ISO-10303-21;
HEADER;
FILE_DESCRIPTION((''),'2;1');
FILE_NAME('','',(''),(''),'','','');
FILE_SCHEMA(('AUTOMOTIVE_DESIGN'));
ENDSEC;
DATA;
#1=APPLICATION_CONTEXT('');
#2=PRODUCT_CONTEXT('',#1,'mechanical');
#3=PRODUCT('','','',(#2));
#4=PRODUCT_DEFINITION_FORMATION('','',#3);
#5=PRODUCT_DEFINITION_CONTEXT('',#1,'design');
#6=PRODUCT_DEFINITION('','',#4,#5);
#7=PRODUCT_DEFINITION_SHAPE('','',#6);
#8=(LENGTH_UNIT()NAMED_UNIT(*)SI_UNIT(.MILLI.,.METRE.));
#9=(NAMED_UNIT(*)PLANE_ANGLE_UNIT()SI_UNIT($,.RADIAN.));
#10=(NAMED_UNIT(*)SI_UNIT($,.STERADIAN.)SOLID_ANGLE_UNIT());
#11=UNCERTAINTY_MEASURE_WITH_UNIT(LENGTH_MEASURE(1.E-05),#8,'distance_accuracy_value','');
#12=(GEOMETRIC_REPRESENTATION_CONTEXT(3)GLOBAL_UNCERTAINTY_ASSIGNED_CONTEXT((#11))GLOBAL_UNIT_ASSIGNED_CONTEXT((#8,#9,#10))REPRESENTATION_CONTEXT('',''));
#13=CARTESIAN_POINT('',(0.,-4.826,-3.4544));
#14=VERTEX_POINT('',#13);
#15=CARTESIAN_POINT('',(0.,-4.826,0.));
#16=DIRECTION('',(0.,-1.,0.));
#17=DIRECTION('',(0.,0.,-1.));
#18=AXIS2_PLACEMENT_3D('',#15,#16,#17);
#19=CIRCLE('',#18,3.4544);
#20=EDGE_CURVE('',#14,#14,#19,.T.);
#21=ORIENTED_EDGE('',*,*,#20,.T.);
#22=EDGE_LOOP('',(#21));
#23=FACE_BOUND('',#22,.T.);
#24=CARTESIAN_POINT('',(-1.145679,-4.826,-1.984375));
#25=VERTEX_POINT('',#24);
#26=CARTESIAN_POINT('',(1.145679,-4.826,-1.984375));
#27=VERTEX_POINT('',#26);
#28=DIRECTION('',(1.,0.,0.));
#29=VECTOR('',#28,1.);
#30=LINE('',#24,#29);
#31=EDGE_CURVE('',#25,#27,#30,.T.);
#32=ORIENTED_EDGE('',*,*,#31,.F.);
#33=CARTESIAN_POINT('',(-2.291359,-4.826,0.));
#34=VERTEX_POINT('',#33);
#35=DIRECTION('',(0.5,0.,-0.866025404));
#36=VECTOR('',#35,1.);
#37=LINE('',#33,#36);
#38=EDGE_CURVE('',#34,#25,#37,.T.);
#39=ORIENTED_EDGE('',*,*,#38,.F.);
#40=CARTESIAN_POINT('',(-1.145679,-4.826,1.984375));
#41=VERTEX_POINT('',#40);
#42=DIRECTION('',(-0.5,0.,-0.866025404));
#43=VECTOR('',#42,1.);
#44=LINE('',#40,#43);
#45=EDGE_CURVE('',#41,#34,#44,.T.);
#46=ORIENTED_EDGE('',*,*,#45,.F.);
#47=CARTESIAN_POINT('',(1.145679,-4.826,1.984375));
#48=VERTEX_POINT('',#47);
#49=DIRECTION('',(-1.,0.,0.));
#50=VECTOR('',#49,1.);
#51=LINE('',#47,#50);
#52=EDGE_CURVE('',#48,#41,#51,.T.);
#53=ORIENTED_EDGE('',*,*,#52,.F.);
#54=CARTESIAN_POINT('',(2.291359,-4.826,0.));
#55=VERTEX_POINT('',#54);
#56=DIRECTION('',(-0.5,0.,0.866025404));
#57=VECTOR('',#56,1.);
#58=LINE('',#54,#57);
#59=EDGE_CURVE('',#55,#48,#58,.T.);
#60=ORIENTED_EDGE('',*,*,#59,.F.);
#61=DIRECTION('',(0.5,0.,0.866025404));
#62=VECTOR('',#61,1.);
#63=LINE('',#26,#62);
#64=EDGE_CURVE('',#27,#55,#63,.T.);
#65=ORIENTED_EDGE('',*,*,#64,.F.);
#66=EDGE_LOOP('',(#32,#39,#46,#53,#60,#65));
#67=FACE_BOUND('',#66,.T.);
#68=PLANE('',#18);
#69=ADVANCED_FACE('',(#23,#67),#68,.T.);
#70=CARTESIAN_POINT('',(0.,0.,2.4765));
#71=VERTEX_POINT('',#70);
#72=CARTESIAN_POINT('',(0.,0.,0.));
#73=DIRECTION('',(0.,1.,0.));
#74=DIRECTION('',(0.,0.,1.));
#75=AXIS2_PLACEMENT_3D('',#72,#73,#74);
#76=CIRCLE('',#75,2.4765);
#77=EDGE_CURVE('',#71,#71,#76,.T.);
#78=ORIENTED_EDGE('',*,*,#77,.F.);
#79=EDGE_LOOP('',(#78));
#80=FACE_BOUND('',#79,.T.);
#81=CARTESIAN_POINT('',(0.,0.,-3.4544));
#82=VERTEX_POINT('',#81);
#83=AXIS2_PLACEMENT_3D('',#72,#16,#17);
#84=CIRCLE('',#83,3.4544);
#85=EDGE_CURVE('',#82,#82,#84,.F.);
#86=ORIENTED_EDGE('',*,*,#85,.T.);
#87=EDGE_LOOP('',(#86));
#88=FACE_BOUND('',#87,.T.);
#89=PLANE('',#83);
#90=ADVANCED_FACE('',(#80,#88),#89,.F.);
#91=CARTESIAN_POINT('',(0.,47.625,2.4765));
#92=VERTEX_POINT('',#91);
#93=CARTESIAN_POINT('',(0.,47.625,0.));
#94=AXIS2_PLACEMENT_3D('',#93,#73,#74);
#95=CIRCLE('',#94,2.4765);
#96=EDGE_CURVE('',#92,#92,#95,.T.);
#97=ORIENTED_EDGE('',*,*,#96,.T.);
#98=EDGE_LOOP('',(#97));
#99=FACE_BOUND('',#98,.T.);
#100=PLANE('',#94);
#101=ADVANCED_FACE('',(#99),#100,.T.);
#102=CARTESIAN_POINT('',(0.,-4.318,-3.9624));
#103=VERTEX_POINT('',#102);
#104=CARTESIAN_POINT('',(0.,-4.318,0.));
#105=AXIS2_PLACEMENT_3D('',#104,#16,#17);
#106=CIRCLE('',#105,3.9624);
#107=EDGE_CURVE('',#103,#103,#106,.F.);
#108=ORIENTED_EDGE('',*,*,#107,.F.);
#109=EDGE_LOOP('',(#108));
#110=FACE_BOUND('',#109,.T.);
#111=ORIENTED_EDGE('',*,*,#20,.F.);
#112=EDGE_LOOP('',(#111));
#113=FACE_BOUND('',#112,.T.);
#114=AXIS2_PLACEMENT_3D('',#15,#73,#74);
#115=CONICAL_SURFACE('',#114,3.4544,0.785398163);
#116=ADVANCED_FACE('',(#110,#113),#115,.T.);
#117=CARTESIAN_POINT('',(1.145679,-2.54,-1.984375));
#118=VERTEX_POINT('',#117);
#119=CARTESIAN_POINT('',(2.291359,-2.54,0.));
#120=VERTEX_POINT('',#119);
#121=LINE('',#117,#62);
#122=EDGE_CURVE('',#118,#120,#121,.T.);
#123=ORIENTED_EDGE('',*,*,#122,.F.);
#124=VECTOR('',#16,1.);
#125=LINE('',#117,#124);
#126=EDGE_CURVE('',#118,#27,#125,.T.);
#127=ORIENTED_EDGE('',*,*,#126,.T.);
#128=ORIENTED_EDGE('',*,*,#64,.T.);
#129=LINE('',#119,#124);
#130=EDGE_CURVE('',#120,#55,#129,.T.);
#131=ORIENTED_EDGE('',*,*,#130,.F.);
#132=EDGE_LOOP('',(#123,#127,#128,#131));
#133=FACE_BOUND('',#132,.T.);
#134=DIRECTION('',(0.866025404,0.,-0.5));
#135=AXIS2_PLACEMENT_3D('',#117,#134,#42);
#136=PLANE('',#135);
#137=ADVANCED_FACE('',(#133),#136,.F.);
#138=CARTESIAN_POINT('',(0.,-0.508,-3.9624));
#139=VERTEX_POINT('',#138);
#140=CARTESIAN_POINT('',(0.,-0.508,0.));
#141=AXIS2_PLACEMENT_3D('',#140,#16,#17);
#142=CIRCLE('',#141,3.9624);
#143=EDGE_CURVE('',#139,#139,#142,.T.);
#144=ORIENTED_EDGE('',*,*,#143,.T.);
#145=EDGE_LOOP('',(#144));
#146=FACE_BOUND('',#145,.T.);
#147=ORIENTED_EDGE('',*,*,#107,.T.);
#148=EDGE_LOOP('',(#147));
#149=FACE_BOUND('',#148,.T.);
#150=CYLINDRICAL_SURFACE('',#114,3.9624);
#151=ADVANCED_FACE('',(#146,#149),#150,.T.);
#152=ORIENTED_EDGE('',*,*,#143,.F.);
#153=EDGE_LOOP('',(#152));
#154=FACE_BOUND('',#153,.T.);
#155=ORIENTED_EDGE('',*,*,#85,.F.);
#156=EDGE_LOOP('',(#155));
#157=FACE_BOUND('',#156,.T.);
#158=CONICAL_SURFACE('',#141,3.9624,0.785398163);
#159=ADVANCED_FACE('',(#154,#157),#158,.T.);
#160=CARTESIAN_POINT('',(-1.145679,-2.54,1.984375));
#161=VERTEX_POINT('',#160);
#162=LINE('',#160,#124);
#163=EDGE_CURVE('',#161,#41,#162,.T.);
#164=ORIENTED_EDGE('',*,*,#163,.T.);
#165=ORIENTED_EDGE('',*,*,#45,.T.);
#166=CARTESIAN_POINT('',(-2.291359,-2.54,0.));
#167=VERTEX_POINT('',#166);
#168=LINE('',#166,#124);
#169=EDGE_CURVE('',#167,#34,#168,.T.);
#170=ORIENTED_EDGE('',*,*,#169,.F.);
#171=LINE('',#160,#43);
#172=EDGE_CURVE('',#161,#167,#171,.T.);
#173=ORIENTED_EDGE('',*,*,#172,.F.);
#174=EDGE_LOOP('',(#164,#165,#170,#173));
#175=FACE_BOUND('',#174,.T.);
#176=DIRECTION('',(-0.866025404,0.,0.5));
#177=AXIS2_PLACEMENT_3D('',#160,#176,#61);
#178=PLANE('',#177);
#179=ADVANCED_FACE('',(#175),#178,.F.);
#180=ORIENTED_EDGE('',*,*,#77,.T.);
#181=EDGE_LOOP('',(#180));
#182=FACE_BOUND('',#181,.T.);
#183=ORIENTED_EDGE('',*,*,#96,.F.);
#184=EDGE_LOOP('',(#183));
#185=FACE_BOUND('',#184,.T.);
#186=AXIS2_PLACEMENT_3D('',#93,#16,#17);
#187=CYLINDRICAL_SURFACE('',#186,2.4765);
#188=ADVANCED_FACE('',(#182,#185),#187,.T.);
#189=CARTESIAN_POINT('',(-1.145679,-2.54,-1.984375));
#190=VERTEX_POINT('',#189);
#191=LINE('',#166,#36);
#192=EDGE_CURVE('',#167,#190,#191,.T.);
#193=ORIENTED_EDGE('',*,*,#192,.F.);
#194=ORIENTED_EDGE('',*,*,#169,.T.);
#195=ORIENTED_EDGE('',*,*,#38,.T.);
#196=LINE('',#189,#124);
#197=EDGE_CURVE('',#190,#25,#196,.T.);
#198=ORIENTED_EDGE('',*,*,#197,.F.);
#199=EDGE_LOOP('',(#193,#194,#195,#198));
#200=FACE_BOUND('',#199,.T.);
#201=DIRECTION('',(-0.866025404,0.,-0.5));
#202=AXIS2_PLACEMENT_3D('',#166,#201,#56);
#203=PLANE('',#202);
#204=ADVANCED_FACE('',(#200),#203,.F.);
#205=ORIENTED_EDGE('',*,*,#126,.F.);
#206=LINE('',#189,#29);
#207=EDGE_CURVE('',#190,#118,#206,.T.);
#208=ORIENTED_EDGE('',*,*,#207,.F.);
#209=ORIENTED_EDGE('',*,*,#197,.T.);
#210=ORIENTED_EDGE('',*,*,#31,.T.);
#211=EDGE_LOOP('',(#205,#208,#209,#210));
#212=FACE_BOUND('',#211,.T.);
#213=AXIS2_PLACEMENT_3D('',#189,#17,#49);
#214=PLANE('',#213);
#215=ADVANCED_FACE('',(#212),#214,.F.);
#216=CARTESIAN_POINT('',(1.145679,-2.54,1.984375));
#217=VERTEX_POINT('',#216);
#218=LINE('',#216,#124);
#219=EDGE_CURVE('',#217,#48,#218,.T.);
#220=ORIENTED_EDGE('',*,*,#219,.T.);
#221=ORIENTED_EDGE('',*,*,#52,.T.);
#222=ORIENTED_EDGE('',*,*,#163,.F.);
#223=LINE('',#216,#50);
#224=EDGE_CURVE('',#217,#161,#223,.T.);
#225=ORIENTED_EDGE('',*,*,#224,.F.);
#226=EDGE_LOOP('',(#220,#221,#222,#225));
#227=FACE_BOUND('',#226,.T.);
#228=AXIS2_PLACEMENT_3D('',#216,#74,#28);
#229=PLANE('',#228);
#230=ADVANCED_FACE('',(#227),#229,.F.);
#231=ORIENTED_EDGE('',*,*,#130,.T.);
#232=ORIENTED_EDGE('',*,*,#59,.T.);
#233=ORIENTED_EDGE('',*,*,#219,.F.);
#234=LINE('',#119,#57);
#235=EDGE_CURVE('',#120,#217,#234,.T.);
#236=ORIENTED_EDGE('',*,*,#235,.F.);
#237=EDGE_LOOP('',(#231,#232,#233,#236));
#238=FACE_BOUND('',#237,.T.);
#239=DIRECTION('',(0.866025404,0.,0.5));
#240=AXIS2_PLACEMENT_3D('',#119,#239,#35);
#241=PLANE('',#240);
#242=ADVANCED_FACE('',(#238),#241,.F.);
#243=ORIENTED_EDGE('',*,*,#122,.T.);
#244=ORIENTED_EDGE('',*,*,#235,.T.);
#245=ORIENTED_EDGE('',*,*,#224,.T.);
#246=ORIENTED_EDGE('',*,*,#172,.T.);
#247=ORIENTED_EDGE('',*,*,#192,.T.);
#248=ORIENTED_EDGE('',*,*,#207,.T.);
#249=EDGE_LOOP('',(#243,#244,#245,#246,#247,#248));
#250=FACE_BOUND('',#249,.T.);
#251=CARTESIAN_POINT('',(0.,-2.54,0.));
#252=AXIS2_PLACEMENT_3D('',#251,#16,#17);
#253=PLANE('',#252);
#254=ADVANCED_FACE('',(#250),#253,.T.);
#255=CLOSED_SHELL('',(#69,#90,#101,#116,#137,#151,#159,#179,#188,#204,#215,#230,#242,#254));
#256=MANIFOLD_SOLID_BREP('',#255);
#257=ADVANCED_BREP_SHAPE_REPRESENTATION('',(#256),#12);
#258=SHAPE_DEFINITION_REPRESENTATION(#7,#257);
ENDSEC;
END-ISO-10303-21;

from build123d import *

# Parameters (mm, degrees)
SKETCH1_R           = 2.4765
BOSS_EXTRUDE1_DEPTH = 47.625
SKETCH2_R           = 3.9624
BOSS_EXTRUDE2_DEPTH = 4.826
CUT_EXTRUDE1_DEPTH  = 2.286
CHAMFER1_SIZE       = 0.508


with BuildPart() as part:
    # Sketch1 → Boss-Extrude1 (new body)
    with BuildSketch(Plane(origin=(0, 0, 0), x_dir=(1, 0, 0), z_dir=(0, 1, 0))):
        with Locations(Location((0, 0, 0), (0, 0, 270))):
            Circle(SKETCH1_R)
    extrude(amount=BOSS_EXTRUDE1_DEPTH)

    # Sketch2 → Boss-Extrude2 (add)
    with BuildSketch(Plane.XZ):
        with Locations(Location((0, 0, 0), (0, 0, 270))):
            Circle(SKETCH2_R)
    extrude(amount=BOSS_EXTRUDE2_DEPTH)

    # Sketch3 → Cut-Extrude1 (cut)
    with BuildSketch(Plane.XZ.offset(4.826)):
        Polygon((2.291358881, 0), (1.14567944, 1.984375), (-1.14567944, 1.984375), (-2.291358881, 0), (-1.14567944, -1.984375), (1.14567944, -1.984375), align=None)
    extrude(amount=-CUT_EXTRUDE1_DEPTH, mode=Mode.SUBTRACT)

    # Chamfer1
    chamfer1_edges = [part.edges().sort_by_distance(p)[0] for p in [
        (0, 0, 3.9624),
        (0, -4.826, 3.9624),
    ]]
    chamfer(chamfer1_edges, length=CHAMFER1_SIZE)


solid = part.part
